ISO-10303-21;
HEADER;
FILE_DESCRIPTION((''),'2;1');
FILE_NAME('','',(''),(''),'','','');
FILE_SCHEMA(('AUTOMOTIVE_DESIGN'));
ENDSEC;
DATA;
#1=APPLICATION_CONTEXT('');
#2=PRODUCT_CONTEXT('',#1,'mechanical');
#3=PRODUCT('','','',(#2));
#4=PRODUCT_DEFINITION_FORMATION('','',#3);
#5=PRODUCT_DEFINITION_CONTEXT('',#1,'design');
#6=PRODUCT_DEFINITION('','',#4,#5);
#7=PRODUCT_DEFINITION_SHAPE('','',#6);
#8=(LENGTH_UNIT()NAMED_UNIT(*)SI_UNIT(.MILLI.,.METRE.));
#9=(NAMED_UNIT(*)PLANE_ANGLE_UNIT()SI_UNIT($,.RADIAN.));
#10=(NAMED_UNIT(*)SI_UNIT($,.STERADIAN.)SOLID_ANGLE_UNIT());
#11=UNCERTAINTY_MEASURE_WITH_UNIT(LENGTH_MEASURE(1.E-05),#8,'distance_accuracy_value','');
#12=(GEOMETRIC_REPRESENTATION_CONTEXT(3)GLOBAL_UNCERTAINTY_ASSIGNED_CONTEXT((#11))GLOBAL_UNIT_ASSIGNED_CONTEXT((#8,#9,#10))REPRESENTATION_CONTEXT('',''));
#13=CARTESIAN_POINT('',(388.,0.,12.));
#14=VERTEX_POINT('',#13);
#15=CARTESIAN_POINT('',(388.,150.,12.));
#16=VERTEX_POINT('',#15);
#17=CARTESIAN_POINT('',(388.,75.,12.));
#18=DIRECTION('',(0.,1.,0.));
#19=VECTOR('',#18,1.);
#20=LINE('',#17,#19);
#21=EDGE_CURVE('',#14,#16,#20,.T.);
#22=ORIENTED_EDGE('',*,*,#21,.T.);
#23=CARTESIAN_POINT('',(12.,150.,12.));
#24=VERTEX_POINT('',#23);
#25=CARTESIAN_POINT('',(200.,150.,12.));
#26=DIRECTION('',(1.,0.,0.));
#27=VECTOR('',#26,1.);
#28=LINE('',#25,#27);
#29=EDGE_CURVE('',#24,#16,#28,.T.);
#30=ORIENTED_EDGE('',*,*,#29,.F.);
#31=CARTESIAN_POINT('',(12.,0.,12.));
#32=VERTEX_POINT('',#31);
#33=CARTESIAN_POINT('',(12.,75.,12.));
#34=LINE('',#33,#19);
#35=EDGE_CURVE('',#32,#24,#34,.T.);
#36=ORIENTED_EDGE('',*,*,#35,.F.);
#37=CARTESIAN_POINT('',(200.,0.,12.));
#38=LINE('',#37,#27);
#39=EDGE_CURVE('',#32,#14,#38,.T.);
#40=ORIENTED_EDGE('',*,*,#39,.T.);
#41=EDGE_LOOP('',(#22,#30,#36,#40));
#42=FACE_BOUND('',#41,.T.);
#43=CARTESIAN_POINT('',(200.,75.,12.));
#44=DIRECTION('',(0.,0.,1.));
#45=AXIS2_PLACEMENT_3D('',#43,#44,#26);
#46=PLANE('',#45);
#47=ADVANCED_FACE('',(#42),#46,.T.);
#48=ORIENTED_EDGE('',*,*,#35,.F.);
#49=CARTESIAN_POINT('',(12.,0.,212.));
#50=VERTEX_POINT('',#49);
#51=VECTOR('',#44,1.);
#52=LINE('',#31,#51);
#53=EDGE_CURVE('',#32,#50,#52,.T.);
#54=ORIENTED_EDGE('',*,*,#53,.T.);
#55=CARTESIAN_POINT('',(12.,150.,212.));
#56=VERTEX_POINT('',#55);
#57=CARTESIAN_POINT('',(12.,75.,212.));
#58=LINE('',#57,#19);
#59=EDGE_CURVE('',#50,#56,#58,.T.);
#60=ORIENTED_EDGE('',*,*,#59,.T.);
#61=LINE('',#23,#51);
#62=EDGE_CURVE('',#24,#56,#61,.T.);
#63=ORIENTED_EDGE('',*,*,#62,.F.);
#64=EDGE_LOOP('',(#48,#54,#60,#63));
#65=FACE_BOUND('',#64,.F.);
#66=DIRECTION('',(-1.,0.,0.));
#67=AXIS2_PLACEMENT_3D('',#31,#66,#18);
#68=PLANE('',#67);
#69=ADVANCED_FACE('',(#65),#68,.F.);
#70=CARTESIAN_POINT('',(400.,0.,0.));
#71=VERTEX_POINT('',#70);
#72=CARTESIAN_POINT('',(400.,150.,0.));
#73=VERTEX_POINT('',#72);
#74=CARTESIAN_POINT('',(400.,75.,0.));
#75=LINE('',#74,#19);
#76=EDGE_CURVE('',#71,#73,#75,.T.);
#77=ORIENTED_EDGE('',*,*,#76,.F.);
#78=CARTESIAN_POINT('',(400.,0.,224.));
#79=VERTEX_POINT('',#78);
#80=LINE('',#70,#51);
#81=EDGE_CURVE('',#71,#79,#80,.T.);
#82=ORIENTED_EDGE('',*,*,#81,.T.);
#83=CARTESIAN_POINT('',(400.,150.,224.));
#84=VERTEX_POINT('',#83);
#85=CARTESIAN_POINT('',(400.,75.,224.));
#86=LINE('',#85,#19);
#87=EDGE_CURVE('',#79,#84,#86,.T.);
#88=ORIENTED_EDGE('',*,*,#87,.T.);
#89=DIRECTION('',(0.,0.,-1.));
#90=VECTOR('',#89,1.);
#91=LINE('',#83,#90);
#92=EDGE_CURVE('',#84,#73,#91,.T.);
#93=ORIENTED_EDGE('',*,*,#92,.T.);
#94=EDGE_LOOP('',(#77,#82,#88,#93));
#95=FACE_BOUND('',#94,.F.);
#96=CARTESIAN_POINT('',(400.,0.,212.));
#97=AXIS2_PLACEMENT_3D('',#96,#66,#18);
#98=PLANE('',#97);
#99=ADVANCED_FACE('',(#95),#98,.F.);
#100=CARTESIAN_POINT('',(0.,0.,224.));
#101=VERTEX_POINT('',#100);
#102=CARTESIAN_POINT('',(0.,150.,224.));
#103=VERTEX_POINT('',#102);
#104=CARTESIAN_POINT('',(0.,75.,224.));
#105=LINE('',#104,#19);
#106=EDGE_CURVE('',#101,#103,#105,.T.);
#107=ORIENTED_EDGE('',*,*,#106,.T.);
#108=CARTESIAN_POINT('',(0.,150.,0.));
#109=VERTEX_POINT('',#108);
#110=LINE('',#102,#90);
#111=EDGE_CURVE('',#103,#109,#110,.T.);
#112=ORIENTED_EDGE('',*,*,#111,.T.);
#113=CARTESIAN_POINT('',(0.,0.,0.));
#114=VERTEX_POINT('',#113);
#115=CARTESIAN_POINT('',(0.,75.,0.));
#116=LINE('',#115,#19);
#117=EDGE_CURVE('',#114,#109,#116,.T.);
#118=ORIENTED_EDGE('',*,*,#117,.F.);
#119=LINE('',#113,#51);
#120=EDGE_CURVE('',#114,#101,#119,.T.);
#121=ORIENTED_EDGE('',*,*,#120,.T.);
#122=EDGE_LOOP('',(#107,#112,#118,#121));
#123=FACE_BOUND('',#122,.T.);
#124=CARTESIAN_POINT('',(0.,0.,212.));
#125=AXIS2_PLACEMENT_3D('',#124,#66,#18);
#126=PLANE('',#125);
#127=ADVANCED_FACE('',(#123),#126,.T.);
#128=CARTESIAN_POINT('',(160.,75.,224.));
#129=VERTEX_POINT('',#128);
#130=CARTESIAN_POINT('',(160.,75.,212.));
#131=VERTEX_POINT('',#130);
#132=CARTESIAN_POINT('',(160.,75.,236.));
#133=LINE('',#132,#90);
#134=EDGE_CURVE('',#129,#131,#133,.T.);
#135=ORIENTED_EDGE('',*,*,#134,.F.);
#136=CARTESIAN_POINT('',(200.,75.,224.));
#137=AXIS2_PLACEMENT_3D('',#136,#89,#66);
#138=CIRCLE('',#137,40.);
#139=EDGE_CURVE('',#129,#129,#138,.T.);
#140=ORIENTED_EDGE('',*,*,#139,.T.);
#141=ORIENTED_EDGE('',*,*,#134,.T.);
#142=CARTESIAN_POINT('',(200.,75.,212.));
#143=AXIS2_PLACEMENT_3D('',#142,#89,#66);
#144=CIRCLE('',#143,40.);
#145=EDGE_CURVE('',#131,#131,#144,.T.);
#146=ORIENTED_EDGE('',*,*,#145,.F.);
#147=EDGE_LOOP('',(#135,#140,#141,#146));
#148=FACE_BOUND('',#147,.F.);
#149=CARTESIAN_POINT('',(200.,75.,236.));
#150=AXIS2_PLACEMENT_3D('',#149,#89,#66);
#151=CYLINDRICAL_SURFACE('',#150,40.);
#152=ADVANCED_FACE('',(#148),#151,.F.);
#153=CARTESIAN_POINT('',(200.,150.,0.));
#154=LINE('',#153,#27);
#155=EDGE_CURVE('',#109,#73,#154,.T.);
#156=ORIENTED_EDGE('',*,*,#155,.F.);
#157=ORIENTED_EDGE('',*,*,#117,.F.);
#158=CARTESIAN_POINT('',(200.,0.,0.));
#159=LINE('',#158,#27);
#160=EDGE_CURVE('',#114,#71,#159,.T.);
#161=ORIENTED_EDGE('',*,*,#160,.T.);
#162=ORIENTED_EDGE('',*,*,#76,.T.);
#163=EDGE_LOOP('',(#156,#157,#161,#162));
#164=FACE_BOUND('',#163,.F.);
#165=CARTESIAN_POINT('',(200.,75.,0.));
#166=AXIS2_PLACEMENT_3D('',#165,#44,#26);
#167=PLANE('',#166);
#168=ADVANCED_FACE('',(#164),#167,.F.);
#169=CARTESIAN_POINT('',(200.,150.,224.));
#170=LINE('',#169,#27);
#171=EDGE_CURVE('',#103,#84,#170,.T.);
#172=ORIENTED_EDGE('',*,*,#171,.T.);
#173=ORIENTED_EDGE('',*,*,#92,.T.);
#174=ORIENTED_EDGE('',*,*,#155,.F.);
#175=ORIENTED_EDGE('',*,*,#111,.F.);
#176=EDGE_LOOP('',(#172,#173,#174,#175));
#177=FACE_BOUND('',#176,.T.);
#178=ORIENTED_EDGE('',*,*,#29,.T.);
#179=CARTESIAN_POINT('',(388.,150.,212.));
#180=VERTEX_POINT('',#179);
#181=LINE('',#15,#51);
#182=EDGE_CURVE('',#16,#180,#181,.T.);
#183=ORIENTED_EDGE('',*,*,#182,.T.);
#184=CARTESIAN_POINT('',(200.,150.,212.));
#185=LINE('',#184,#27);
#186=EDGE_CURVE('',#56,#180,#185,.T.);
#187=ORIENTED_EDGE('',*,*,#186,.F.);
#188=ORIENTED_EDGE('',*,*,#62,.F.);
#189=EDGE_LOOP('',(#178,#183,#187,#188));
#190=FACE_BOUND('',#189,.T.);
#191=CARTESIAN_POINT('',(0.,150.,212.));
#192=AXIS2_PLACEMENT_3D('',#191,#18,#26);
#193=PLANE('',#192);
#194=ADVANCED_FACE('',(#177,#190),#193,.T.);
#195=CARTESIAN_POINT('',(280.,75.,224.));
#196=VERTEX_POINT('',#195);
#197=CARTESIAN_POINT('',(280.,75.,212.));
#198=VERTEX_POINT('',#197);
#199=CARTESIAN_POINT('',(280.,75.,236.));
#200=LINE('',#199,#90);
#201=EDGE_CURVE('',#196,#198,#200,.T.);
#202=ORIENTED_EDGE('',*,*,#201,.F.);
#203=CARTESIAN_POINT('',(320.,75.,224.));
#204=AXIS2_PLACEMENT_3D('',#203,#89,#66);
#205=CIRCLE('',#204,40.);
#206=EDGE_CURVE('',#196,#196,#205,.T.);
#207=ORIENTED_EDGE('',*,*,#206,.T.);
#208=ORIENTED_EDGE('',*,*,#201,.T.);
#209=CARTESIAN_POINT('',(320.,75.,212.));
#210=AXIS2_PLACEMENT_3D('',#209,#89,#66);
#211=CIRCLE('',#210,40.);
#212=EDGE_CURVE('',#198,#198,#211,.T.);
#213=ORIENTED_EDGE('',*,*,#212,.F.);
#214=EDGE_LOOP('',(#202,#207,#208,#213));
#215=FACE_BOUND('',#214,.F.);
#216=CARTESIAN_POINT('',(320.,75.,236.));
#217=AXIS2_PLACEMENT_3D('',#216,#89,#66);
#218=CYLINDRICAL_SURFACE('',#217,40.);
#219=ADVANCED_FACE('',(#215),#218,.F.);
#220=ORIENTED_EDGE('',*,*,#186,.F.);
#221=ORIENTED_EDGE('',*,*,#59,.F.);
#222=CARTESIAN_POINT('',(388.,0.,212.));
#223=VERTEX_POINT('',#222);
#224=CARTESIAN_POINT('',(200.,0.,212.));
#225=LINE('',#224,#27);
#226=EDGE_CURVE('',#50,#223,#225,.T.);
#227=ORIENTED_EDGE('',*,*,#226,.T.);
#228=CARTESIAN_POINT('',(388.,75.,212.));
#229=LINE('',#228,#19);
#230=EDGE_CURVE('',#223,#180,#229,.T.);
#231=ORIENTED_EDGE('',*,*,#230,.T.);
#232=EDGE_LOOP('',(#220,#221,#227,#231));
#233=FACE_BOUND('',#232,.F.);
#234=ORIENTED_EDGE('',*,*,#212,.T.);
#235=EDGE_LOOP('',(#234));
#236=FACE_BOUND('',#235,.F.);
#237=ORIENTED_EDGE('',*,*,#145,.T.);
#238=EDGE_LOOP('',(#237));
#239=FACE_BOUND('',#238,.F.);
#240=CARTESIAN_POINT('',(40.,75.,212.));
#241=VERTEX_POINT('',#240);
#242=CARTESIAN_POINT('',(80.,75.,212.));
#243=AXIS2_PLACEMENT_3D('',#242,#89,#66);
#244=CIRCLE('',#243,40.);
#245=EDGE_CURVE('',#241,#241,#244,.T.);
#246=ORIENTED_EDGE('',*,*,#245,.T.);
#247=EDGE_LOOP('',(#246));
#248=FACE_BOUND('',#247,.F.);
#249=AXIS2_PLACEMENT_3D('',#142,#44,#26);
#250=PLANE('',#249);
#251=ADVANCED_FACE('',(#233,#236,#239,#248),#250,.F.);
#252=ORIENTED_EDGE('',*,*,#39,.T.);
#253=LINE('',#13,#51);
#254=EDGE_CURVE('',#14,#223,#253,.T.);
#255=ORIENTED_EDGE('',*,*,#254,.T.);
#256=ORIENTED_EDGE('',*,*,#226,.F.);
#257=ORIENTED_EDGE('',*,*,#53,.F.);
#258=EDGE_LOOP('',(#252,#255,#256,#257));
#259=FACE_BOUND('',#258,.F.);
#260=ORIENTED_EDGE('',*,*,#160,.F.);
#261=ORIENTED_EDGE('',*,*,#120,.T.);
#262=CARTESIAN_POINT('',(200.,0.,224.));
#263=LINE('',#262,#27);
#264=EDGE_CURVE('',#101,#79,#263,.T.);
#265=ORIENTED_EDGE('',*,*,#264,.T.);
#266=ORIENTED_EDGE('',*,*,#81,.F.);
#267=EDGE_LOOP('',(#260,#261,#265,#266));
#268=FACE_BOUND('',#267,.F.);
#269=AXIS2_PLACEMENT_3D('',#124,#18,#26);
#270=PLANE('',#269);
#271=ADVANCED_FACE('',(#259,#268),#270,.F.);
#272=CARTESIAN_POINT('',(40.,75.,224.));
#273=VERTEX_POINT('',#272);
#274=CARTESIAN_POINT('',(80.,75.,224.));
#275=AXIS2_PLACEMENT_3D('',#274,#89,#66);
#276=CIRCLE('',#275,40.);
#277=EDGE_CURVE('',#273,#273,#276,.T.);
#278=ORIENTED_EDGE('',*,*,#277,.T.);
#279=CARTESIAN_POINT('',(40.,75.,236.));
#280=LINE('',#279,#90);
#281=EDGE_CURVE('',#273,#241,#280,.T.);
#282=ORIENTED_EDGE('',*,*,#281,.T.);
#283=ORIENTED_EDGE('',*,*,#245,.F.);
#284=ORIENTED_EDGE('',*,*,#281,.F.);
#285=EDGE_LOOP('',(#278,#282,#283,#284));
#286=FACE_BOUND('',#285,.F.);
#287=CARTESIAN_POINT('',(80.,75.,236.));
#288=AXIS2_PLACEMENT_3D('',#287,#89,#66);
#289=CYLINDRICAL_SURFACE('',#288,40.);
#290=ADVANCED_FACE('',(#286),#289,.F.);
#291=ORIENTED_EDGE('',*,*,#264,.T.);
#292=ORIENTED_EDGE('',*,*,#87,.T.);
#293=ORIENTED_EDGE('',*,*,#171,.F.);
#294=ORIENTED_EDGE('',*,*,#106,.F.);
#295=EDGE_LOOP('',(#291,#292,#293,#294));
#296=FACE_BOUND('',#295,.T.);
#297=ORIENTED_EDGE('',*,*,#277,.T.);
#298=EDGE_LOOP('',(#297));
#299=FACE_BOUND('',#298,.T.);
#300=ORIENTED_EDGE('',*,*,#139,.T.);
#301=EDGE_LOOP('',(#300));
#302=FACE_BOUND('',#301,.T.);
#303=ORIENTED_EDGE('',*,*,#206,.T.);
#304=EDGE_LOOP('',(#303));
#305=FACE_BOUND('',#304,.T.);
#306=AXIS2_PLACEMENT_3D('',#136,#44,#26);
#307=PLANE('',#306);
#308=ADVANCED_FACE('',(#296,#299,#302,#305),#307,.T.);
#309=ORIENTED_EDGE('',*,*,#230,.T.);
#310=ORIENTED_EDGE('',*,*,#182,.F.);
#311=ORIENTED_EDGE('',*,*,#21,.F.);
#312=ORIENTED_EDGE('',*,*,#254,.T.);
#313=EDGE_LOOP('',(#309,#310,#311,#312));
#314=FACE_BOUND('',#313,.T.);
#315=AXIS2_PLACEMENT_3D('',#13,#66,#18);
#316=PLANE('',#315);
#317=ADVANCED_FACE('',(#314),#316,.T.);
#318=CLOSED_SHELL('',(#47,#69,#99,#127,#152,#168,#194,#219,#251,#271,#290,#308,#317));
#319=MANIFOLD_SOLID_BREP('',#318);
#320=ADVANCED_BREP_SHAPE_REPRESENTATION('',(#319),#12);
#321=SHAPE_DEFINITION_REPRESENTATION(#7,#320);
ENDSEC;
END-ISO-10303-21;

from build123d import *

# Parameters (mm, degrees)
F0_W      = 400
F0_H      = 150
F1_DEPTH  = 12
F2_W      = 12
F2_H      = 150
F3_DEPTH  = 200
F4_W      = 12
F4_H      = 150
F5_DEPTH  = 200
F6_W      = 400
F6_H      = 150
F7_DEPTH  = 12
F9_D      = 80
F9_DEPTH  = 12
F10_D     = 80
F10_DEPTH = 12
F11_D     = 80
F11_DEPTH = 12


with BuildPart() as f1:
    # F0 (on Top) → F1 (new body)
    with BuildSketch(Plane.XY):
        with Locations((200, 75)):
            Rectangle(F0_W, F0_H)
    extrude(amount=F1_DEPTH)

    # F2 (on face) → F3 (join)
    with BuildSketch(Plane.XY.offset(12)):
        with Locations((6, 75)):
            Rectangle(F2_W, F2_H)
    extrude(amount=F3_DEPTH)

    # F4 (on face) → F5 (join)
    with BuildSketch(Plane.XY.offset(12)):
        with Locations((394, 75)):
            Rectangle(F4_W, F4_H)
    extrude(amount=F5_DEPTH)

    # F6 (on face) → F7 (join)
    with BuildSketch(Plane.XY.offset(212)):
        with Locations((200, 75)):
            Rectangle(F6_W, F6_H)
    extrude(amount=F7_DEPTH)

    # F9
    with Locations(Plane.XY.offset(224)):
        with Locations((80, 75)):
            Hole(F9_D / 2, depth=F9_DEPTH)

    # F10
    with Locations(Plane.XY.offset(224)):
        with Locations((200, 75)):
            Hole(F10_D / 2, depth=F10_DEPTH)

    # F11
    with Locations(Plane.XY.offset(224)):
        with Locations((320, 75)):
            Hole(F11_D / 2, depth=F11_DEPTH)


solid = f1.part
